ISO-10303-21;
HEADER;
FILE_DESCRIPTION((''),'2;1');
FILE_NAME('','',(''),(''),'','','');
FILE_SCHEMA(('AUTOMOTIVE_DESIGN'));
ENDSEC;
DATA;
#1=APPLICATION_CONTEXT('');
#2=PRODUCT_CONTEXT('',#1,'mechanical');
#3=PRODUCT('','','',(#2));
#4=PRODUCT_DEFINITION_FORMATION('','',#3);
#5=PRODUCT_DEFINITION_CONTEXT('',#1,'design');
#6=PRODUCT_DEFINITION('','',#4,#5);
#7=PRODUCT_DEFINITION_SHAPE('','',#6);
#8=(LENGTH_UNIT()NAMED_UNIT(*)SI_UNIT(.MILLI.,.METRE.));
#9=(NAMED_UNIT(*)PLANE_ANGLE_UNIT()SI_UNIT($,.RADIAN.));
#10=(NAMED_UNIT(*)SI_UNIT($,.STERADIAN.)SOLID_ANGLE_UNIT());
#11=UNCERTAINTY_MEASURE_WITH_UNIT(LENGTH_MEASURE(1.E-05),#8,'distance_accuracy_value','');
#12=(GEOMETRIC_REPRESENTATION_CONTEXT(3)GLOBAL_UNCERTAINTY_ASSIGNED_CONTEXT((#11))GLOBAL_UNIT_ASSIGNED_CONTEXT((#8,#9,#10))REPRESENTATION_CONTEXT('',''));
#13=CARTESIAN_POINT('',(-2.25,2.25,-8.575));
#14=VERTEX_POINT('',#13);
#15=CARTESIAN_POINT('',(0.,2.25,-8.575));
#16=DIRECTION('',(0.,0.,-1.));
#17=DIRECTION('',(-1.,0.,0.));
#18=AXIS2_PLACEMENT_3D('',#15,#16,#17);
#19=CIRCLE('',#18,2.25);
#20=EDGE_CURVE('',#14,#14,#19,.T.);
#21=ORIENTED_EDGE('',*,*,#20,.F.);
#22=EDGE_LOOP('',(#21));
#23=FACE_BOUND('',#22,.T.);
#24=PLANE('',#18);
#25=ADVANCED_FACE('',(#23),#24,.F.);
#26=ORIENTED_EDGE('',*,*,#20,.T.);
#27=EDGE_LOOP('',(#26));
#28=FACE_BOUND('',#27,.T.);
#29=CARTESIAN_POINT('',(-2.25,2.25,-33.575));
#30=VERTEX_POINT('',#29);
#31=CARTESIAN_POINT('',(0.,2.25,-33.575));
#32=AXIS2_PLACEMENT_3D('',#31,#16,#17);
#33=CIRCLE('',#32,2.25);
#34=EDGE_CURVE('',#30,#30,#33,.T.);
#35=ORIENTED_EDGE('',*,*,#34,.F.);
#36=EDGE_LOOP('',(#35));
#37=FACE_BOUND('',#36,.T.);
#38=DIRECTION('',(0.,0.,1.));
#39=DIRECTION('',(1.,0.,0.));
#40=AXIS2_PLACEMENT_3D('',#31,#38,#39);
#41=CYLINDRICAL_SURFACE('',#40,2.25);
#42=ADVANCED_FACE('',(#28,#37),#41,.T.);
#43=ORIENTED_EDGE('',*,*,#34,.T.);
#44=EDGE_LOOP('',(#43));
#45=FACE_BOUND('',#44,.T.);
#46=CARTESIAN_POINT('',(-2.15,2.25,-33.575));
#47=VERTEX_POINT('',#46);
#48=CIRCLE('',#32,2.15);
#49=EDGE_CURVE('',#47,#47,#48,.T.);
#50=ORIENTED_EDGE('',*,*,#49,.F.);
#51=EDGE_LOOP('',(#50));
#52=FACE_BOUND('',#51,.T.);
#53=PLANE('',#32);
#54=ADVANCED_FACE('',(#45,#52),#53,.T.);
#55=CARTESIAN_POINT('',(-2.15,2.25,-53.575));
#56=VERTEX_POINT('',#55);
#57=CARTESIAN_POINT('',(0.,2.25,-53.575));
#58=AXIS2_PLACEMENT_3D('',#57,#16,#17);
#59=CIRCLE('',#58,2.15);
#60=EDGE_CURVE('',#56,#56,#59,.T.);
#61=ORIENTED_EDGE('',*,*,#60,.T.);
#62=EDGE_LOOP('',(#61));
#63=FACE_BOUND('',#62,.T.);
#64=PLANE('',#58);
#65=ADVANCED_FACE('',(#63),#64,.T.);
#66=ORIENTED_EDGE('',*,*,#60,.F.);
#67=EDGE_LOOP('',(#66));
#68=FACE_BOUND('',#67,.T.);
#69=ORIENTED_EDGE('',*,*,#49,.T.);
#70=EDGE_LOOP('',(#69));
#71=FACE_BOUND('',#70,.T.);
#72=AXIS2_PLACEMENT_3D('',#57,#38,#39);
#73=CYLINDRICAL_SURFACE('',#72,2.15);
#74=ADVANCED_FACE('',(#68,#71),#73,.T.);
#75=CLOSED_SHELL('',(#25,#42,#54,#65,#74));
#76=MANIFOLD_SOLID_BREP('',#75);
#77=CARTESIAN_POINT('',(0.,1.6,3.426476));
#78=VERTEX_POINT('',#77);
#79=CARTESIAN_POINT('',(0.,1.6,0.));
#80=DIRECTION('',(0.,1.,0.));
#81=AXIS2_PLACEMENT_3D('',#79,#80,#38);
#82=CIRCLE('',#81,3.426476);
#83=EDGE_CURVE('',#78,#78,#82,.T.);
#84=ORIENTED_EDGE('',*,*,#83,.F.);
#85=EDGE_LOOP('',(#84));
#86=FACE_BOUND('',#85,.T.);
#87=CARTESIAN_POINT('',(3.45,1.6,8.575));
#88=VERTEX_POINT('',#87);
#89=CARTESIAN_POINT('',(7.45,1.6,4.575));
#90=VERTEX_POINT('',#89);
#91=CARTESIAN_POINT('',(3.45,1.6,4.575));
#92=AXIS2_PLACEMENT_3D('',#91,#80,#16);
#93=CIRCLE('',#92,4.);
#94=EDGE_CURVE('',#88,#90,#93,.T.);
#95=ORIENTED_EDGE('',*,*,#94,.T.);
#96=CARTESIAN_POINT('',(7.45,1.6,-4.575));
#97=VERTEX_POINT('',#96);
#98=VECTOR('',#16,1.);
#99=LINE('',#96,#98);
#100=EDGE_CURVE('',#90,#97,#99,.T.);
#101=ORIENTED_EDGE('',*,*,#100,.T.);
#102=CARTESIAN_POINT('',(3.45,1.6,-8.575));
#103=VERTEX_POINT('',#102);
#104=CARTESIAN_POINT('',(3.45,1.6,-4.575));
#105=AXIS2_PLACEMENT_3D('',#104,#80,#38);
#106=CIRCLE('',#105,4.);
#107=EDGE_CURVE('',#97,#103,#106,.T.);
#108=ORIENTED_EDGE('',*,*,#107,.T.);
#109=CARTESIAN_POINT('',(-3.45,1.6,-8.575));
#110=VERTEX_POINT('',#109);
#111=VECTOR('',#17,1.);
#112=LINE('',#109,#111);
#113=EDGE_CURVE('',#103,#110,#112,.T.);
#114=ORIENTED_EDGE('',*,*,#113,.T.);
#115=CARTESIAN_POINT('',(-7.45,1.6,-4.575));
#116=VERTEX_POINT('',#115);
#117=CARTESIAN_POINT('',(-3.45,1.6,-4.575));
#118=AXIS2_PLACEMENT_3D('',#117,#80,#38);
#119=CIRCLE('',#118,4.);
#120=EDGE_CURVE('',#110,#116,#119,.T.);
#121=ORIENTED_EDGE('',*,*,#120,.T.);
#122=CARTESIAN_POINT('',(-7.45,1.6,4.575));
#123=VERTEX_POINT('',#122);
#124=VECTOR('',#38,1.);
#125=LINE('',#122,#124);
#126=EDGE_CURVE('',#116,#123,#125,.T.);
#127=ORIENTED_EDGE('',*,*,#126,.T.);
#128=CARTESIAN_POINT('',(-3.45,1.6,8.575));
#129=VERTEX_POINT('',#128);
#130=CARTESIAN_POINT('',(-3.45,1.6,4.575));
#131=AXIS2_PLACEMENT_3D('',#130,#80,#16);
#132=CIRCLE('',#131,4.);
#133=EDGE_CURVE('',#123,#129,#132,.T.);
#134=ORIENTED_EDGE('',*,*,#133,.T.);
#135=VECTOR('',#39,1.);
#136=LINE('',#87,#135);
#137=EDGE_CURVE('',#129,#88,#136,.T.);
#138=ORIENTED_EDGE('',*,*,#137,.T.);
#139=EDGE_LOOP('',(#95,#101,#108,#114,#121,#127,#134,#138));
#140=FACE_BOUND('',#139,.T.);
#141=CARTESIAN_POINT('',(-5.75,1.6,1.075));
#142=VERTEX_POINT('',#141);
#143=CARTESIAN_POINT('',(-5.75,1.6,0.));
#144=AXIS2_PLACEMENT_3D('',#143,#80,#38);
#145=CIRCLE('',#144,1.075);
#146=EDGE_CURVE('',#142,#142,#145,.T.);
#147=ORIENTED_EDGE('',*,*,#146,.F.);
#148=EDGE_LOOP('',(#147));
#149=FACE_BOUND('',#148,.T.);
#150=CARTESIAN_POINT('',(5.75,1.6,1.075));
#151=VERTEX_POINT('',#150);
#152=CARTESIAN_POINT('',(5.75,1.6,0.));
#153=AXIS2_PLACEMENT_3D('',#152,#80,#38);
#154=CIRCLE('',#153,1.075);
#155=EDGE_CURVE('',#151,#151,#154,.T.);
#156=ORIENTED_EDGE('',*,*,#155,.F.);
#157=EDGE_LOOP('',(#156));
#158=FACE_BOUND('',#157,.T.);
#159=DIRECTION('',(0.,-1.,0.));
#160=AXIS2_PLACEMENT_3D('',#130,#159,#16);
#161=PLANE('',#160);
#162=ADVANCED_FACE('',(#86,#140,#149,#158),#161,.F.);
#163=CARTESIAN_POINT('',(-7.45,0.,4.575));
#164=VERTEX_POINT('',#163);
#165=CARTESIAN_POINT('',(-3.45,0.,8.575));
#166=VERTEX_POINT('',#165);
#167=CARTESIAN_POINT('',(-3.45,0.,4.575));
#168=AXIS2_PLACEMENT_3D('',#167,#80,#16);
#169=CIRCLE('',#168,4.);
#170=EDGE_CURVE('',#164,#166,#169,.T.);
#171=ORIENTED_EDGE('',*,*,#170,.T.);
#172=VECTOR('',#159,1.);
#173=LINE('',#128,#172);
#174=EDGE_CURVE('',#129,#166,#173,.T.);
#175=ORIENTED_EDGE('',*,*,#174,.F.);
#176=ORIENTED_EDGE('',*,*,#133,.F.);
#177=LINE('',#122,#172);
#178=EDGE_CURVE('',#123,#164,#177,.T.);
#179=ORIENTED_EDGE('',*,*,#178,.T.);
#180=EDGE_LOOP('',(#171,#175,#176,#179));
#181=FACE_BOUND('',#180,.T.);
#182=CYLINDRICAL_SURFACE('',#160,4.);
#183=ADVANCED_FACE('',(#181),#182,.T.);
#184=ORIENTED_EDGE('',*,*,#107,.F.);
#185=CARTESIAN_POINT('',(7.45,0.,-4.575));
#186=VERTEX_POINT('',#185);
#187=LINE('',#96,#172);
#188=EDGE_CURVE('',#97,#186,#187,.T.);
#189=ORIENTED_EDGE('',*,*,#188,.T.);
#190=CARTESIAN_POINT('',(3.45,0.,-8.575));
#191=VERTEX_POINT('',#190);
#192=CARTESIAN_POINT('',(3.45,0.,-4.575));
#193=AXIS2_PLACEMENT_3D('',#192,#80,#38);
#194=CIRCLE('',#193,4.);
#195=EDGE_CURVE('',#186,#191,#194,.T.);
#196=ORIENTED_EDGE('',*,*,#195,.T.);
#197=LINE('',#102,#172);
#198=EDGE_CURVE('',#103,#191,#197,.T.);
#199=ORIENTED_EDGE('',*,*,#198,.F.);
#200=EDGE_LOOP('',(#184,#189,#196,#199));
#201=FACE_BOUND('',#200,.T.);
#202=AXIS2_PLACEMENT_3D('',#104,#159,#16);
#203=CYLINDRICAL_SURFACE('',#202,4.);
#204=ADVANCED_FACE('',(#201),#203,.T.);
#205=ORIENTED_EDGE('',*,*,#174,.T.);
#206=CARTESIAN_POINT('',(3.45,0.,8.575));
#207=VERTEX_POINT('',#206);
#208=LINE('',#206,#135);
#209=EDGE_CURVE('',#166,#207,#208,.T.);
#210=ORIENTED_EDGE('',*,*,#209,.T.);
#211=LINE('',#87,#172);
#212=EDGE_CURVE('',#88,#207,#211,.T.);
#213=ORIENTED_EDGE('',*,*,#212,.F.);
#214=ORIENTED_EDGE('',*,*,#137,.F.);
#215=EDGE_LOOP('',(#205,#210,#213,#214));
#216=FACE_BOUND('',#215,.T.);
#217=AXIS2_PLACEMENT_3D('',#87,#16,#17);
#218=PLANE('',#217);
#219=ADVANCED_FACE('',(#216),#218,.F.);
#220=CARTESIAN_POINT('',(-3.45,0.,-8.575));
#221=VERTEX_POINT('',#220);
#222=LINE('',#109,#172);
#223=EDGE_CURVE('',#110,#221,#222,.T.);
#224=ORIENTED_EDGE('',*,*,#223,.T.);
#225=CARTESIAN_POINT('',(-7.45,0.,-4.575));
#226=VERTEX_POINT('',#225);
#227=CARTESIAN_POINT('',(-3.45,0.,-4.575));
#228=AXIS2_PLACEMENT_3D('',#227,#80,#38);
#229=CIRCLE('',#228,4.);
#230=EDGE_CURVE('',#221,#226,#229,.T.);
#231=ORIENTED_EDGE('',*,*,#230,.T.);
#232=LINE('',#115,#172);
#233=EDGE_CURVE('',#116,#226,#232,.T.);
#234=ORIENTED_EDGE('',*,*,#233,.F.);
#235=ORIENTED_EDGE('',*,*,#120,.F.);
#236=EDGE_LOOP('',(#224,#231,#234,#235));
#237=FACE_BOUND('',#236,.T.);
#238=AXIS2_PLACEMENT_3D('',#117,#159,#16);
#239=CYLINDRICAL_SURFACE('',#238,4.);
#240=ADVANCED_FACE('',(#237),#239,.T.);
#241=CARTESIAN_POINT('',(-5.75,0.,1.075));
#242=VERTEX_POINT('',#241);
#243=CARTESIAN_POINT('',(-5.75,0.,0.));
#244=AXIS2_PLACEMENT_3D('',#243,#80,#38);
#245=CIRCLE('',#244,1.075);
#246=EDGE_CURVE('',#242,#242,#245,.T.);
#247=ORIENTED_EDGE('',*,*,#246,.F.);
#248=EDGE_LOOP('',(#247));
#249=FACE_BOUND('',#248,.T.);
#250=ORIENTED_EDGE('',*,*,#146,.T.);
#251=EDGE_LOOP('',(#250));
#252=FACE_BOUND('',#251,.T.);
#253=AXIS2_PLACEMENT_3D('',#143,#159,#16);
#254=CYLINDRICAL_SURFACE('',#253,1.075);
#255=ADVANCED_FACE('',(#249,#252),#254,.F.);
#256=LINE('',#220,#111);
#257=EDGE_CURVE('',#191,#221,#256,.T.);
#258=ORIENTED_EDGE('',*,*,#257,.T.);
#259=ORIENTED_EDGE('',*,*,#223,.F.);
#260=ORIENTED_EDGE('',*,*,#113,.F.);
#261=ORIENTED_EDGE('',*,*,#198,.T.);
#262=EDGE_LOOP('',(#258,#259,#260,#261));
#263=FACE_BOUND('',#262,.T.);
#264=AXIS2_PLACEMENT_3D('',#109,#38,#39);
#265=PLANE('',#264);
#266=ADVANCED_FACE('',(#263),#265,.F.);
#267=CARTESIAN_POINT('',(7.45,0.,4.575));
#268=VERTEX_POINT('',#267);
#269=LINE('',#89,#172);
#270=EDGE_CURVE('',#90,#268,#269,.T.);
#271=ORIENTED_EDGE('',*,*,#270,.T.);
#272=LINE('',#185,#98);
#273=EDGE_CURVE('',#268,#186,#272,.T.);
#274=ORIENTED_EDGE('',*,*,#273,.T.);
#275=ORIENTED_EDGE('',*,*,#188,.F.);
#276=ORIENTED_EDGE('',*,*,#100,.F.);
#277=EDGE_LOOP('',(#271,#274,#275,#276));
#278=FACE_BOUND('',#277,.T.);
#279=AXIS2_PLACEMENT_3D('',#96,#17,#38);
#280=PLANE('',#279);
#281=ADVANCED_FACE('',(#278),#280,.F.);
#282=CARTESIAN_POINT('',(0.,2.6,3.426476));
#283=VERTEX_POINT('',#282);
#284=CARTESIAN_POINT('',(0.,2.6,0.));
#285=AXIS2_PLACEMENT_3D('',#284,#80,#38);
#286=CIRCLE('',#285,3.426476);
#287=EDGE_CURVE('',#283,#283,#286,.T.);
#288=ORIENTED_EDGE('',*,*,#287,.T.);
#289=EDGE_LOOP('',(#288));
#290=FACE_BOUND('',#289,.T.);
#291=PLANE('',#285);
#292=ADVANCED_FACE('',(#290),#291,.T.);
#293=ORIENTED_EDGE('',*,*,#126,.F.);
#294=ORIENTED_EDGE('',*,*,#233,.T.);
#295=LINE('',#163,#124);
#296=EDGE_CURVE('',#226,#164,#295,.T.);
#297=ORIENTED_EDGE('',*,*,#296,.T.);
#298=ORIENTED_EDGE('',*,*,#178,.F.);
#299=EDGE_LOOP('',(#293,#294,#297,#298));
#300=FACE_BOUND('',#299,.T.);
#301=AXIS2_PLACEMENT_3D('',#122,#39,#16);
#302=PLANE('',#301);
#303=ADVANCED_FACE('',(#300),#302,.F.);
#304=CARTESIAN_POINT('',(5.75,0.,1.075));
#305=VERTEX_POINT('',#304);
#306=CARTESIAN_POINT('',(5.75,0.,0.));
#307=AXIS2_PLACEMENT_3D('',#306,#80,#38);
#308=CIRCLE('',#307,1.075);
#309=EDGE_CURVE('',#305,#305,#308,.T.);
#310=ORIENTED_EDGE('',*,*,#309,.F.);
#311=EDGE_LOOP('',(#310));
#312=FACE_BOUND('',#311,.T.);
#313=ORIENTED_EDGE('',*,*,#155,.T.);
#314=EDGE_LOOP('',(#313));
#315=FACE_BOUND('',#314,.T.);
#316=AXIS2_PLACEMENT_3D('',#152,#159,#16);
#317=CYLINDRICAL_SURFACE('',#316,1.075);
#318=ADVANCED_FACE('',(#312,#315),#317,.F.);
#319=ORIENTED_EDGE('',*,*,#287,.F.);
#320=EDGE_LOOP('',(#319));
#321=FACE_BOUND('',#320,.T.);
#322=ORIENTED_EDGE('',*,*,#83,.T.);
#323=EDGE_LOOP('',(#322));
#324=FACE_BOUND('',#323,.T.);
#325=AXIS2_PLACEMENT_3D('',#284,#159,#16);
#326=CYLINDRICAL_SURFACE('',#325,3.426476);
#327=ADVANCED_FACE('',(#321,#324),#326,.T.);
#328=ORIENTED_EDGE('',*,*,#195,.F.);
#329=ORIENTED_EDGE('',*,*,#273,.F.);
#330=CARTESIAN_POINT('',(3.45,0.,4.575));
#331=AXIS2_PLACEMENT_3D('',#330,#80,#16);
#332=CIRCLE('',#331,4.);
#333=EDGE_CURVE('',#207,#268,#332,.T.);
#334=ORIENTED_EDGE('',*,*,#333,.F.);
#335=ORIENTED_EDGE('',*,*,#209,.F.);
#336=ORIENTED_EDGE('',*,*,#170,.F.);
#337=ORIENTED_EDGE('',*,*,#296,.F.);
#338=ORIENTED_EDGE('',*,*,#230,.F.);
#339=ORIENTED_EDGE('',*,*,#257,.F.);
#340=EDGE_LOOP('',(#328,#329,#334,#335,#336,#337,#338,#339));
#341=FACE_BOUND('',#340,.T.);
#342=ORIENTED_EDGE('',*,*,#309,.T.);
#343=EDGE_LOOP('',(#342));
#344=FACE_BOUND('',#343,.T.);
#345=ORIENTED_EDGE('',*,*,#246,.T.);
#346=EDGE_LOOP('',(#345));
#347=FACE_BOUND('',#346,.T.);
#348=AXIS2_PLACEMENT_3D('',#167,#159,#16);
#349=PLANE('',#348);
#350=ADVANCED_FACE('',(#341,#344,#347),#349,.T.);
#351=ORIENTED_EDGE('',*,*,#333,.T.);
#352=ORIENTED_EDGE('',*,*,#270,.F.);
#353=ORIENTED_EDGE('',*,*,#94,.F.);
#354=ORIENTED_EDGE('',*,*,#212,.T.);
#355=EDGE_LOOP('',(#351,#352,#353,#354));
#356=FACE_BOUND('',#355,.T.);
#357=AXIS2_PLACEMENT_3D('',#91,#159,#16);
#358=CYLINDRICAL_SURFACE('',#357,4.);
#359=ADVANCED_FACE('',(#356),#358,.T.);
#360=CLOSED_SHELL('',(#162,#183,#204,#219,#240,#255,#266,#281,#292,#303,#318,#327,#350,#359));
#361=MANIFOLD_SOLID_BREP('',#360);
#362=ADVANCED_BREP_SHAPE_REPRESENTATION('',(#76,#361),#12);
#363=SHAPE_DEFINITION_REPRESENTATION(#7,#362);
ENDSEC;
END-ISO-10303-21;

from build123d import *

# Parameters (mm, degrees)
SKETCH1_R           = 1.075
BOSS_EXTRUDE1_DEPTH = 1.6
SKETCH2_R           = 3.426475787
BOSS_EXTRUDE2_DEPTH = 1
SKETCH4_R           = 2.25
BOSS_EXTRUDE3_DEPTH = 25
SKETCH5_R           = 2.15
BOSS_EXTRUDE4_DEPTH = 20


with BuildPart() as part:
    # Sketch1 → Boss-Extrude1 (new body)
    with BuildSketch(Plane(origin=(0, 0, 0), x_dir=(1, 0, 0), z_dir=(0, 1, 0))):
        with BuildLine():
            Line((-3.45, 8.575), (3.45, 8.575))
            ThreePointArc((3.45, 8.575), (6.278427125, 7.403427125), (7.45, 4.575))
            Line((7.45, 4.575), (7.45, -4.575))
            ThreePointArc((7.45, -4.575), (6.278427125, -7.403427125), (3.45, -8.575))
            Line((3.45, -8.575), (-3.45, -8.575))
            ThreePointArc((-3.45, -8.575), (-6.278427125, -7.403427125), (-7.45, -4.575))
            Line((-7.45, -4.575), (-7.45, 4.575))
            ThreePointArc((-7.45, 4.575), (-6.278427125, 7.403427125), (-3.45, 8.575))
        make_face()
        with Locations(Location((-5.75, 0, 0), (0, 0, 270))):
            Circle(SKETCH1_R, mode=Mode.SUBTRACT)
        with Locations(Location((5.75, 0, 0), (0, 0, 270))):
            Circle(SKETCH1_R, mode=Mode.SUBTRACT)
    extrude(amount=BOSS_EXTRUDE1_DEPTH)

    # Sketch2 → Boss-Extrude2 (add)
    with BuildSketch(Plane(origin=(0, 1.6, 0), x_dir=(1, 0, 0), z_dir=(0, 1, 0))):
        with Locations(Location((0, 0, 0), (0, 0, 270))):
            Circle(SKETCH2_R)
    extrude(amount=BOSS_EXTRUDE2_DEPTH)


with BuildPart() as body_2:
    # Sketch4 → Boss-Extrude3 (new body)
    with BuildSketch(Plane(origin=(0, 0, -8.575), x_dir=(-1, 0, 0), z_dir=(0, 0, -1))):
        with Locations((0, 2.25)):
            Circle(SKETCH4_R)
    extrude(amount=BOSS_EXTRUDE3_DEPTH)

    # Sketch5 → Boss-Extrude4 (add)
    with BuildSketch(Plane(origin=(0, 0, -33.575), x_dir=(-1, 0, 0), z_dir=(0, 0, -1))):
        with Locations((0, 2.25)):
            Circle(SKETCH5_R)
    extrude(amount=BOSS_EXTRUDE4_DEPTH)


solid = Compound([part.part, body_2.part])
